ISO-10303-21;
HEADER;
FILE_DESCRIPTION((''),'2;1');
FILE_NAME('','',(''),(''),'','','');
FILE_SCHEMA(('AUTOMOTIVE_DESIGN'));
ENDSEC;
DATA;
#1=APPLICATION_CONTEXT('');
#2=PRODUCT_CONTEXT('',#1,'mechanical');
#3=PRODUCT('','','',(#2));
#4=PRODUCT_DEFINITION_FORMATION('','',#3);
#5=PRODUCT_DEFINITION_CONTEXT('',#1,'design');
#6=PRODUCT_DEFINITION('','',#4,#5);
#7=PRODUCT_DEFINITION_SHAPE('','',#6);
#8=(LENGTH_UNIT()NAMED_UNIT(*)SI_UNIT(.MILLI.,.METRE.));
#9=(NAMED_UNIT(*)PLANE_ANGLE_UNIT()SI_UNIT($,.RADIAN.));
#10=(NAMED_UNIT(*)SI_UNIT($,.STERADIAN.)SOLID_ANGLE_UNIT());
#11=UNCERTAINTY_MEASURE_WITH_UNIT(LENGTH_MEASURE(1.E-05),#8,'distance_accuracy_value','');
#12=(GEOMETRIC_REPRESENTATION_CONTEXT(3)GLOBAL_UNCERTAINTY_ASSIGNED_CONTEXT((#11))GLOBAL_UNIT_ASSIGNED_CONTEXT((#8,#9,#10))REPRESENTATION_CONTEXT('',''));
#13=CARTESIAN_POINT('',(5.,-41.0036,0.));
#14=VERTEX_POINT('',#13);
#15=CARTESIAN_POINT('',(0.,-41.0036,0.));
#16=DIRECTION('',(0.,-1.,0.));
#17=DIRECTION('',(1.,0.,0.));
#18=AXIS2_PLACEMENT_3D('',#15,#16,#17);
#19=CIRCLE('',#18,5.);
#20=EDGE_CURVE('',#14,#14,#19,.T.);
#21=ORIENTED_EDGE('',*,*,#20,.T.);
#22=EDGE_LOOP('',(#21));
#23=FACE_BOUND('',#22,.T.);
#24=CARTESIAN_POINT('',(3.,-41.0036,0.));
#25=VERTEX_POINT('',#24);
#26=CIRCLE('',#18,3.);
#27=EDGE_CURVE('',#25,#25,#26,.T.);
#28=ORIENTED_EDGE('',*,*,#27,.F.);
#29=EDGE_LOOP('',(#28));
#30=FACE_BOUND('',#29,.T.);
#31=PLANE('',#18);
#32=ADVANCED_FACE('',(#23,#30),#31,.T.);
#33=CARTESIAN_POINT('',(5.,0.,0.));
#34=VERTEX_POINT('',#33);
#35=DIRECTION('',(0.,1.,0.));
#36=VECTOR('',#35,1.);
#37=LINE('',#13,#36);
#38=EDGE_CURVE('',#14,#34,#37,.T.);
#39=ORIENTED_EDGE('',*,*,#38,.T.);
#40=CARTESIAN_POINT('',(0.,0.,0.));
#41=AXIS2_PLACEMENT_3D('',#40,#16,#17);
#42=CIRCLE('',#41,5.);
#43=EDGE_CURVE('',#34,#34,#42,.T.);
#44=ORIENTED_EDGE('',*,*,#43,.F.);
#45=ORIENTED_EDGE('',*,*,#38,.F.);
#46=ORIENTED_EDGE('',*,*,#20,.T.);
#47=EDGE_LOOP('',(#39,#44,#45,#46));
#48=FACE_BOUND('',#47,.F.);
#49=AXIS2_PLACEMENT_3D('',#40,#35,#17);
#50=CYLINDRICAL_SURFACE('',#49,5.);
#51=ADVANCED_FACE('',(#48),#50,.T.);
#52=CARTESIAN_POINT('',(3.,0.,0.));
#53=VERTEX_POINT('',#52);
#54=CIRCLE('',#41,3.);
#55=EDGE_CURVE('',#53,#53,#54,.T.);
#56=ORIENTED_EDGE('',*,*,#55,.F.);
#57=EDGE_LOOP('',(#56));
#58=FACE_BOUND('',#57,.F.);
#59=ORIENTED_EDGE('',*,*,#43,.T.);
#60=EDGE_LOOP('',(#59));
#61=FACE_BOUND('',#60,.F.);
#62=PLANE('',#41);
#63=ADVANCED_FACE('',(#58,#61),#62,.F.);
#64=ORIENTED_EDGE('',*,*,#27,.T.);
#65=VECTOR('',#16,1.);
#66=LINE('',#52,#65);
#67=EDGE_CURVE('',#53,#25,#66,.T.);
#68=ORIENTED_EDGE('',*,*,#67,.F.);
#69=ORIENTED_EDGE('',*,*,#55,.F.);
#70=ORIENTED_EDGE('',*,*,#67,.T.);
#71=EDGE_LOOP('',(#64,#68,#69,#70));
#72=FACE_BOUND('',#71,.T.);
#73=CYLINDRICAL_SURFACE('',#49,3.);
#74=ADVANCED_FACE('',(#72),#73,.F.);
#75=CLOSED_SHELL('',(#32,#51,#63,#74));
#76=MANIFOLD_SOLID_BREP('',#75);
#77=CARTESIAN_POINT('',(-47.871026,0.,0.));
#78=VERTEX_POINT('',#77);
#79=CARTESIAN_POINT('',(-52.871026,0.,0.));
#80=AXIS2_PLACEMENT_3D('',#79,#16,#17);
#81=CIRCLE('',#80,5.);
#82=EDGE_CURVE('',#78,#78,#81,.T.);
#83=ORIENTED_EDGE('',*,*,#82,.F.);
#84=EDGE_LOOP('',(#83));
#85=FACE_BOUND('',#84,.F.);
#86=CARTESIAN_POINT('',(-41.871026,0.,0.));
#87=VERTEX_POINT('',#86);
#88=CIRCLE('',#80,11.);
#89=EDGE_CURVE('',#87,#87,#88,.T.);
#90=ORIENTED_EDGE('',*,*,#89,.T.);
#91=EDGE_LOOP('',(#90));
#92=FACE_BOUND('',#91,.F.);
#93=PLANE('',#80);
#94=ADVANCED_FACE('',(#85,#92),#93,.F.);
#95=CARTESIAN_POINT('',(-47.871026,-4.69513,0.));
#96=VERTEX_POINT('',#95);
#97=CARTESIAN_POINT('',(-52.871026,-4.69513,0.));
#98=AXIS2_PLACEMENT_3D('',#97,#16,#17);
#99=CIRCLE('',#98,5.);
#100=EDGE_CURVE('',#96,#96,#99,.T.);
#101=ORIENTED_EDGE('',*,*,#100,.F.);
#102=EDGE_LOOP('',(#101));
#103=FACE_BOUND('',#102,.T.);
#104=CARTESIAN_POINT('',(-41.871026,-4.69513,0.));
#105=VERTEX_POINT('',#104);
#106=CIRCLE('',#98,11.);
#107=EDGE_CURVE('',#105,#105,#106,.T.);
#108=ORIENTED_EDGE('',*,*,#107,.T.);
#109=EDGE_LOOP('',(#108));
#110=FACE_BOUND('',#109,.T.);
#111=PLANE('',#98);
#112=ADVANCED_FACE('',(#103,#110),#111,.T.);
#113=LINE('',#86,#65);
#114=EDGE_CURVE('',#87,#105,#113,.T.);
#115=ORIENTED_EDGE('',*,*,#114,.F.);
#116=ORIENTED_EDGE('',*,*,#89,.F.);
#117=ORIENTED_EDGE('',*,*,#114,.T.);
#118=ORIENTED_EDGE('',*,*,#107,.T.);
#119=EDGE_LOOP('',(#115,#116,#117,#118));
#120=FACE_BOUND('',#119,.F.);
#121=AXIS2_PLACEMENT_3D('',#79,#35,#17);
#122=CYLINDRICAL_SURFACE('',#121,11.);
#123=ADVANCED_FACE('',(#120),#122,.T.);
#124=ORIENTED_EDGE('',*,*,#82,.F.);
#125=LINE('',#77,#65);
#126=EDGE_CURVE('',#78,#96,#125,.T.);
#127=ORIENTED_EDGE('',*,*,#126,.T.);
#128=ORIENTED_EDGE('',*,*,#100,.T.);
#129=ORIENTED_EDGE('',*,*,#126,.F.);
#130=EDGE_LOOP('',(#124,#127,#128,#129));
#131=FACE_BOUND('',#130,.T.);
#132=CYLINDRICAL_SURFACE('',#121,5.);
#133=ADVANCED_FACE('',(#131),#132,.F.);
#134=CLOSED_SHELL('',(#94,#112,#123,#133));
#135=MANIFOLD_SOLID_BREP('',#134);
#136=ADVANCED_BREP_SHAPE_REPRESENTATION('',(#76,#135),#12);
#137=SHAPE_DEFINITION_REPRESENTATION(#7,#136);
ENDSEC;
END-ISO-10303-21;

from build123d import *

# Parameters (mm, degrees)
F0_R     = 5
F0_R_2   = 3
F1_DEPTH = 41.0036
F0_R_3   = 11
F2_DEPTH = 4.69513


with BuildPart() as f1:
    # F0 (on Front) → F1 (new body)
    with BuildSketch(Plane.XZ):
        Circle(F0_R)
        Circle(F0_R_2, mode=Mode.SUBTRACT)
    extrude(amount=F1_DEPTH)

    # F0 (on Front) → F2 (join)
    with BuildSketch(Plane.XZ):
        Circle(F0_R)
        Circle(F0_R_2, mode=Mode.SUBTRACT)
        with Locations((-52.871026, 0)):
            Circle(F0_R_3)
        with Locations((-52.871026, 0)):
            Circle(F0_R, mode=Mode.SUBTRACT)
    extrude(amount=F2_DEPTH)


solid = f1.part
